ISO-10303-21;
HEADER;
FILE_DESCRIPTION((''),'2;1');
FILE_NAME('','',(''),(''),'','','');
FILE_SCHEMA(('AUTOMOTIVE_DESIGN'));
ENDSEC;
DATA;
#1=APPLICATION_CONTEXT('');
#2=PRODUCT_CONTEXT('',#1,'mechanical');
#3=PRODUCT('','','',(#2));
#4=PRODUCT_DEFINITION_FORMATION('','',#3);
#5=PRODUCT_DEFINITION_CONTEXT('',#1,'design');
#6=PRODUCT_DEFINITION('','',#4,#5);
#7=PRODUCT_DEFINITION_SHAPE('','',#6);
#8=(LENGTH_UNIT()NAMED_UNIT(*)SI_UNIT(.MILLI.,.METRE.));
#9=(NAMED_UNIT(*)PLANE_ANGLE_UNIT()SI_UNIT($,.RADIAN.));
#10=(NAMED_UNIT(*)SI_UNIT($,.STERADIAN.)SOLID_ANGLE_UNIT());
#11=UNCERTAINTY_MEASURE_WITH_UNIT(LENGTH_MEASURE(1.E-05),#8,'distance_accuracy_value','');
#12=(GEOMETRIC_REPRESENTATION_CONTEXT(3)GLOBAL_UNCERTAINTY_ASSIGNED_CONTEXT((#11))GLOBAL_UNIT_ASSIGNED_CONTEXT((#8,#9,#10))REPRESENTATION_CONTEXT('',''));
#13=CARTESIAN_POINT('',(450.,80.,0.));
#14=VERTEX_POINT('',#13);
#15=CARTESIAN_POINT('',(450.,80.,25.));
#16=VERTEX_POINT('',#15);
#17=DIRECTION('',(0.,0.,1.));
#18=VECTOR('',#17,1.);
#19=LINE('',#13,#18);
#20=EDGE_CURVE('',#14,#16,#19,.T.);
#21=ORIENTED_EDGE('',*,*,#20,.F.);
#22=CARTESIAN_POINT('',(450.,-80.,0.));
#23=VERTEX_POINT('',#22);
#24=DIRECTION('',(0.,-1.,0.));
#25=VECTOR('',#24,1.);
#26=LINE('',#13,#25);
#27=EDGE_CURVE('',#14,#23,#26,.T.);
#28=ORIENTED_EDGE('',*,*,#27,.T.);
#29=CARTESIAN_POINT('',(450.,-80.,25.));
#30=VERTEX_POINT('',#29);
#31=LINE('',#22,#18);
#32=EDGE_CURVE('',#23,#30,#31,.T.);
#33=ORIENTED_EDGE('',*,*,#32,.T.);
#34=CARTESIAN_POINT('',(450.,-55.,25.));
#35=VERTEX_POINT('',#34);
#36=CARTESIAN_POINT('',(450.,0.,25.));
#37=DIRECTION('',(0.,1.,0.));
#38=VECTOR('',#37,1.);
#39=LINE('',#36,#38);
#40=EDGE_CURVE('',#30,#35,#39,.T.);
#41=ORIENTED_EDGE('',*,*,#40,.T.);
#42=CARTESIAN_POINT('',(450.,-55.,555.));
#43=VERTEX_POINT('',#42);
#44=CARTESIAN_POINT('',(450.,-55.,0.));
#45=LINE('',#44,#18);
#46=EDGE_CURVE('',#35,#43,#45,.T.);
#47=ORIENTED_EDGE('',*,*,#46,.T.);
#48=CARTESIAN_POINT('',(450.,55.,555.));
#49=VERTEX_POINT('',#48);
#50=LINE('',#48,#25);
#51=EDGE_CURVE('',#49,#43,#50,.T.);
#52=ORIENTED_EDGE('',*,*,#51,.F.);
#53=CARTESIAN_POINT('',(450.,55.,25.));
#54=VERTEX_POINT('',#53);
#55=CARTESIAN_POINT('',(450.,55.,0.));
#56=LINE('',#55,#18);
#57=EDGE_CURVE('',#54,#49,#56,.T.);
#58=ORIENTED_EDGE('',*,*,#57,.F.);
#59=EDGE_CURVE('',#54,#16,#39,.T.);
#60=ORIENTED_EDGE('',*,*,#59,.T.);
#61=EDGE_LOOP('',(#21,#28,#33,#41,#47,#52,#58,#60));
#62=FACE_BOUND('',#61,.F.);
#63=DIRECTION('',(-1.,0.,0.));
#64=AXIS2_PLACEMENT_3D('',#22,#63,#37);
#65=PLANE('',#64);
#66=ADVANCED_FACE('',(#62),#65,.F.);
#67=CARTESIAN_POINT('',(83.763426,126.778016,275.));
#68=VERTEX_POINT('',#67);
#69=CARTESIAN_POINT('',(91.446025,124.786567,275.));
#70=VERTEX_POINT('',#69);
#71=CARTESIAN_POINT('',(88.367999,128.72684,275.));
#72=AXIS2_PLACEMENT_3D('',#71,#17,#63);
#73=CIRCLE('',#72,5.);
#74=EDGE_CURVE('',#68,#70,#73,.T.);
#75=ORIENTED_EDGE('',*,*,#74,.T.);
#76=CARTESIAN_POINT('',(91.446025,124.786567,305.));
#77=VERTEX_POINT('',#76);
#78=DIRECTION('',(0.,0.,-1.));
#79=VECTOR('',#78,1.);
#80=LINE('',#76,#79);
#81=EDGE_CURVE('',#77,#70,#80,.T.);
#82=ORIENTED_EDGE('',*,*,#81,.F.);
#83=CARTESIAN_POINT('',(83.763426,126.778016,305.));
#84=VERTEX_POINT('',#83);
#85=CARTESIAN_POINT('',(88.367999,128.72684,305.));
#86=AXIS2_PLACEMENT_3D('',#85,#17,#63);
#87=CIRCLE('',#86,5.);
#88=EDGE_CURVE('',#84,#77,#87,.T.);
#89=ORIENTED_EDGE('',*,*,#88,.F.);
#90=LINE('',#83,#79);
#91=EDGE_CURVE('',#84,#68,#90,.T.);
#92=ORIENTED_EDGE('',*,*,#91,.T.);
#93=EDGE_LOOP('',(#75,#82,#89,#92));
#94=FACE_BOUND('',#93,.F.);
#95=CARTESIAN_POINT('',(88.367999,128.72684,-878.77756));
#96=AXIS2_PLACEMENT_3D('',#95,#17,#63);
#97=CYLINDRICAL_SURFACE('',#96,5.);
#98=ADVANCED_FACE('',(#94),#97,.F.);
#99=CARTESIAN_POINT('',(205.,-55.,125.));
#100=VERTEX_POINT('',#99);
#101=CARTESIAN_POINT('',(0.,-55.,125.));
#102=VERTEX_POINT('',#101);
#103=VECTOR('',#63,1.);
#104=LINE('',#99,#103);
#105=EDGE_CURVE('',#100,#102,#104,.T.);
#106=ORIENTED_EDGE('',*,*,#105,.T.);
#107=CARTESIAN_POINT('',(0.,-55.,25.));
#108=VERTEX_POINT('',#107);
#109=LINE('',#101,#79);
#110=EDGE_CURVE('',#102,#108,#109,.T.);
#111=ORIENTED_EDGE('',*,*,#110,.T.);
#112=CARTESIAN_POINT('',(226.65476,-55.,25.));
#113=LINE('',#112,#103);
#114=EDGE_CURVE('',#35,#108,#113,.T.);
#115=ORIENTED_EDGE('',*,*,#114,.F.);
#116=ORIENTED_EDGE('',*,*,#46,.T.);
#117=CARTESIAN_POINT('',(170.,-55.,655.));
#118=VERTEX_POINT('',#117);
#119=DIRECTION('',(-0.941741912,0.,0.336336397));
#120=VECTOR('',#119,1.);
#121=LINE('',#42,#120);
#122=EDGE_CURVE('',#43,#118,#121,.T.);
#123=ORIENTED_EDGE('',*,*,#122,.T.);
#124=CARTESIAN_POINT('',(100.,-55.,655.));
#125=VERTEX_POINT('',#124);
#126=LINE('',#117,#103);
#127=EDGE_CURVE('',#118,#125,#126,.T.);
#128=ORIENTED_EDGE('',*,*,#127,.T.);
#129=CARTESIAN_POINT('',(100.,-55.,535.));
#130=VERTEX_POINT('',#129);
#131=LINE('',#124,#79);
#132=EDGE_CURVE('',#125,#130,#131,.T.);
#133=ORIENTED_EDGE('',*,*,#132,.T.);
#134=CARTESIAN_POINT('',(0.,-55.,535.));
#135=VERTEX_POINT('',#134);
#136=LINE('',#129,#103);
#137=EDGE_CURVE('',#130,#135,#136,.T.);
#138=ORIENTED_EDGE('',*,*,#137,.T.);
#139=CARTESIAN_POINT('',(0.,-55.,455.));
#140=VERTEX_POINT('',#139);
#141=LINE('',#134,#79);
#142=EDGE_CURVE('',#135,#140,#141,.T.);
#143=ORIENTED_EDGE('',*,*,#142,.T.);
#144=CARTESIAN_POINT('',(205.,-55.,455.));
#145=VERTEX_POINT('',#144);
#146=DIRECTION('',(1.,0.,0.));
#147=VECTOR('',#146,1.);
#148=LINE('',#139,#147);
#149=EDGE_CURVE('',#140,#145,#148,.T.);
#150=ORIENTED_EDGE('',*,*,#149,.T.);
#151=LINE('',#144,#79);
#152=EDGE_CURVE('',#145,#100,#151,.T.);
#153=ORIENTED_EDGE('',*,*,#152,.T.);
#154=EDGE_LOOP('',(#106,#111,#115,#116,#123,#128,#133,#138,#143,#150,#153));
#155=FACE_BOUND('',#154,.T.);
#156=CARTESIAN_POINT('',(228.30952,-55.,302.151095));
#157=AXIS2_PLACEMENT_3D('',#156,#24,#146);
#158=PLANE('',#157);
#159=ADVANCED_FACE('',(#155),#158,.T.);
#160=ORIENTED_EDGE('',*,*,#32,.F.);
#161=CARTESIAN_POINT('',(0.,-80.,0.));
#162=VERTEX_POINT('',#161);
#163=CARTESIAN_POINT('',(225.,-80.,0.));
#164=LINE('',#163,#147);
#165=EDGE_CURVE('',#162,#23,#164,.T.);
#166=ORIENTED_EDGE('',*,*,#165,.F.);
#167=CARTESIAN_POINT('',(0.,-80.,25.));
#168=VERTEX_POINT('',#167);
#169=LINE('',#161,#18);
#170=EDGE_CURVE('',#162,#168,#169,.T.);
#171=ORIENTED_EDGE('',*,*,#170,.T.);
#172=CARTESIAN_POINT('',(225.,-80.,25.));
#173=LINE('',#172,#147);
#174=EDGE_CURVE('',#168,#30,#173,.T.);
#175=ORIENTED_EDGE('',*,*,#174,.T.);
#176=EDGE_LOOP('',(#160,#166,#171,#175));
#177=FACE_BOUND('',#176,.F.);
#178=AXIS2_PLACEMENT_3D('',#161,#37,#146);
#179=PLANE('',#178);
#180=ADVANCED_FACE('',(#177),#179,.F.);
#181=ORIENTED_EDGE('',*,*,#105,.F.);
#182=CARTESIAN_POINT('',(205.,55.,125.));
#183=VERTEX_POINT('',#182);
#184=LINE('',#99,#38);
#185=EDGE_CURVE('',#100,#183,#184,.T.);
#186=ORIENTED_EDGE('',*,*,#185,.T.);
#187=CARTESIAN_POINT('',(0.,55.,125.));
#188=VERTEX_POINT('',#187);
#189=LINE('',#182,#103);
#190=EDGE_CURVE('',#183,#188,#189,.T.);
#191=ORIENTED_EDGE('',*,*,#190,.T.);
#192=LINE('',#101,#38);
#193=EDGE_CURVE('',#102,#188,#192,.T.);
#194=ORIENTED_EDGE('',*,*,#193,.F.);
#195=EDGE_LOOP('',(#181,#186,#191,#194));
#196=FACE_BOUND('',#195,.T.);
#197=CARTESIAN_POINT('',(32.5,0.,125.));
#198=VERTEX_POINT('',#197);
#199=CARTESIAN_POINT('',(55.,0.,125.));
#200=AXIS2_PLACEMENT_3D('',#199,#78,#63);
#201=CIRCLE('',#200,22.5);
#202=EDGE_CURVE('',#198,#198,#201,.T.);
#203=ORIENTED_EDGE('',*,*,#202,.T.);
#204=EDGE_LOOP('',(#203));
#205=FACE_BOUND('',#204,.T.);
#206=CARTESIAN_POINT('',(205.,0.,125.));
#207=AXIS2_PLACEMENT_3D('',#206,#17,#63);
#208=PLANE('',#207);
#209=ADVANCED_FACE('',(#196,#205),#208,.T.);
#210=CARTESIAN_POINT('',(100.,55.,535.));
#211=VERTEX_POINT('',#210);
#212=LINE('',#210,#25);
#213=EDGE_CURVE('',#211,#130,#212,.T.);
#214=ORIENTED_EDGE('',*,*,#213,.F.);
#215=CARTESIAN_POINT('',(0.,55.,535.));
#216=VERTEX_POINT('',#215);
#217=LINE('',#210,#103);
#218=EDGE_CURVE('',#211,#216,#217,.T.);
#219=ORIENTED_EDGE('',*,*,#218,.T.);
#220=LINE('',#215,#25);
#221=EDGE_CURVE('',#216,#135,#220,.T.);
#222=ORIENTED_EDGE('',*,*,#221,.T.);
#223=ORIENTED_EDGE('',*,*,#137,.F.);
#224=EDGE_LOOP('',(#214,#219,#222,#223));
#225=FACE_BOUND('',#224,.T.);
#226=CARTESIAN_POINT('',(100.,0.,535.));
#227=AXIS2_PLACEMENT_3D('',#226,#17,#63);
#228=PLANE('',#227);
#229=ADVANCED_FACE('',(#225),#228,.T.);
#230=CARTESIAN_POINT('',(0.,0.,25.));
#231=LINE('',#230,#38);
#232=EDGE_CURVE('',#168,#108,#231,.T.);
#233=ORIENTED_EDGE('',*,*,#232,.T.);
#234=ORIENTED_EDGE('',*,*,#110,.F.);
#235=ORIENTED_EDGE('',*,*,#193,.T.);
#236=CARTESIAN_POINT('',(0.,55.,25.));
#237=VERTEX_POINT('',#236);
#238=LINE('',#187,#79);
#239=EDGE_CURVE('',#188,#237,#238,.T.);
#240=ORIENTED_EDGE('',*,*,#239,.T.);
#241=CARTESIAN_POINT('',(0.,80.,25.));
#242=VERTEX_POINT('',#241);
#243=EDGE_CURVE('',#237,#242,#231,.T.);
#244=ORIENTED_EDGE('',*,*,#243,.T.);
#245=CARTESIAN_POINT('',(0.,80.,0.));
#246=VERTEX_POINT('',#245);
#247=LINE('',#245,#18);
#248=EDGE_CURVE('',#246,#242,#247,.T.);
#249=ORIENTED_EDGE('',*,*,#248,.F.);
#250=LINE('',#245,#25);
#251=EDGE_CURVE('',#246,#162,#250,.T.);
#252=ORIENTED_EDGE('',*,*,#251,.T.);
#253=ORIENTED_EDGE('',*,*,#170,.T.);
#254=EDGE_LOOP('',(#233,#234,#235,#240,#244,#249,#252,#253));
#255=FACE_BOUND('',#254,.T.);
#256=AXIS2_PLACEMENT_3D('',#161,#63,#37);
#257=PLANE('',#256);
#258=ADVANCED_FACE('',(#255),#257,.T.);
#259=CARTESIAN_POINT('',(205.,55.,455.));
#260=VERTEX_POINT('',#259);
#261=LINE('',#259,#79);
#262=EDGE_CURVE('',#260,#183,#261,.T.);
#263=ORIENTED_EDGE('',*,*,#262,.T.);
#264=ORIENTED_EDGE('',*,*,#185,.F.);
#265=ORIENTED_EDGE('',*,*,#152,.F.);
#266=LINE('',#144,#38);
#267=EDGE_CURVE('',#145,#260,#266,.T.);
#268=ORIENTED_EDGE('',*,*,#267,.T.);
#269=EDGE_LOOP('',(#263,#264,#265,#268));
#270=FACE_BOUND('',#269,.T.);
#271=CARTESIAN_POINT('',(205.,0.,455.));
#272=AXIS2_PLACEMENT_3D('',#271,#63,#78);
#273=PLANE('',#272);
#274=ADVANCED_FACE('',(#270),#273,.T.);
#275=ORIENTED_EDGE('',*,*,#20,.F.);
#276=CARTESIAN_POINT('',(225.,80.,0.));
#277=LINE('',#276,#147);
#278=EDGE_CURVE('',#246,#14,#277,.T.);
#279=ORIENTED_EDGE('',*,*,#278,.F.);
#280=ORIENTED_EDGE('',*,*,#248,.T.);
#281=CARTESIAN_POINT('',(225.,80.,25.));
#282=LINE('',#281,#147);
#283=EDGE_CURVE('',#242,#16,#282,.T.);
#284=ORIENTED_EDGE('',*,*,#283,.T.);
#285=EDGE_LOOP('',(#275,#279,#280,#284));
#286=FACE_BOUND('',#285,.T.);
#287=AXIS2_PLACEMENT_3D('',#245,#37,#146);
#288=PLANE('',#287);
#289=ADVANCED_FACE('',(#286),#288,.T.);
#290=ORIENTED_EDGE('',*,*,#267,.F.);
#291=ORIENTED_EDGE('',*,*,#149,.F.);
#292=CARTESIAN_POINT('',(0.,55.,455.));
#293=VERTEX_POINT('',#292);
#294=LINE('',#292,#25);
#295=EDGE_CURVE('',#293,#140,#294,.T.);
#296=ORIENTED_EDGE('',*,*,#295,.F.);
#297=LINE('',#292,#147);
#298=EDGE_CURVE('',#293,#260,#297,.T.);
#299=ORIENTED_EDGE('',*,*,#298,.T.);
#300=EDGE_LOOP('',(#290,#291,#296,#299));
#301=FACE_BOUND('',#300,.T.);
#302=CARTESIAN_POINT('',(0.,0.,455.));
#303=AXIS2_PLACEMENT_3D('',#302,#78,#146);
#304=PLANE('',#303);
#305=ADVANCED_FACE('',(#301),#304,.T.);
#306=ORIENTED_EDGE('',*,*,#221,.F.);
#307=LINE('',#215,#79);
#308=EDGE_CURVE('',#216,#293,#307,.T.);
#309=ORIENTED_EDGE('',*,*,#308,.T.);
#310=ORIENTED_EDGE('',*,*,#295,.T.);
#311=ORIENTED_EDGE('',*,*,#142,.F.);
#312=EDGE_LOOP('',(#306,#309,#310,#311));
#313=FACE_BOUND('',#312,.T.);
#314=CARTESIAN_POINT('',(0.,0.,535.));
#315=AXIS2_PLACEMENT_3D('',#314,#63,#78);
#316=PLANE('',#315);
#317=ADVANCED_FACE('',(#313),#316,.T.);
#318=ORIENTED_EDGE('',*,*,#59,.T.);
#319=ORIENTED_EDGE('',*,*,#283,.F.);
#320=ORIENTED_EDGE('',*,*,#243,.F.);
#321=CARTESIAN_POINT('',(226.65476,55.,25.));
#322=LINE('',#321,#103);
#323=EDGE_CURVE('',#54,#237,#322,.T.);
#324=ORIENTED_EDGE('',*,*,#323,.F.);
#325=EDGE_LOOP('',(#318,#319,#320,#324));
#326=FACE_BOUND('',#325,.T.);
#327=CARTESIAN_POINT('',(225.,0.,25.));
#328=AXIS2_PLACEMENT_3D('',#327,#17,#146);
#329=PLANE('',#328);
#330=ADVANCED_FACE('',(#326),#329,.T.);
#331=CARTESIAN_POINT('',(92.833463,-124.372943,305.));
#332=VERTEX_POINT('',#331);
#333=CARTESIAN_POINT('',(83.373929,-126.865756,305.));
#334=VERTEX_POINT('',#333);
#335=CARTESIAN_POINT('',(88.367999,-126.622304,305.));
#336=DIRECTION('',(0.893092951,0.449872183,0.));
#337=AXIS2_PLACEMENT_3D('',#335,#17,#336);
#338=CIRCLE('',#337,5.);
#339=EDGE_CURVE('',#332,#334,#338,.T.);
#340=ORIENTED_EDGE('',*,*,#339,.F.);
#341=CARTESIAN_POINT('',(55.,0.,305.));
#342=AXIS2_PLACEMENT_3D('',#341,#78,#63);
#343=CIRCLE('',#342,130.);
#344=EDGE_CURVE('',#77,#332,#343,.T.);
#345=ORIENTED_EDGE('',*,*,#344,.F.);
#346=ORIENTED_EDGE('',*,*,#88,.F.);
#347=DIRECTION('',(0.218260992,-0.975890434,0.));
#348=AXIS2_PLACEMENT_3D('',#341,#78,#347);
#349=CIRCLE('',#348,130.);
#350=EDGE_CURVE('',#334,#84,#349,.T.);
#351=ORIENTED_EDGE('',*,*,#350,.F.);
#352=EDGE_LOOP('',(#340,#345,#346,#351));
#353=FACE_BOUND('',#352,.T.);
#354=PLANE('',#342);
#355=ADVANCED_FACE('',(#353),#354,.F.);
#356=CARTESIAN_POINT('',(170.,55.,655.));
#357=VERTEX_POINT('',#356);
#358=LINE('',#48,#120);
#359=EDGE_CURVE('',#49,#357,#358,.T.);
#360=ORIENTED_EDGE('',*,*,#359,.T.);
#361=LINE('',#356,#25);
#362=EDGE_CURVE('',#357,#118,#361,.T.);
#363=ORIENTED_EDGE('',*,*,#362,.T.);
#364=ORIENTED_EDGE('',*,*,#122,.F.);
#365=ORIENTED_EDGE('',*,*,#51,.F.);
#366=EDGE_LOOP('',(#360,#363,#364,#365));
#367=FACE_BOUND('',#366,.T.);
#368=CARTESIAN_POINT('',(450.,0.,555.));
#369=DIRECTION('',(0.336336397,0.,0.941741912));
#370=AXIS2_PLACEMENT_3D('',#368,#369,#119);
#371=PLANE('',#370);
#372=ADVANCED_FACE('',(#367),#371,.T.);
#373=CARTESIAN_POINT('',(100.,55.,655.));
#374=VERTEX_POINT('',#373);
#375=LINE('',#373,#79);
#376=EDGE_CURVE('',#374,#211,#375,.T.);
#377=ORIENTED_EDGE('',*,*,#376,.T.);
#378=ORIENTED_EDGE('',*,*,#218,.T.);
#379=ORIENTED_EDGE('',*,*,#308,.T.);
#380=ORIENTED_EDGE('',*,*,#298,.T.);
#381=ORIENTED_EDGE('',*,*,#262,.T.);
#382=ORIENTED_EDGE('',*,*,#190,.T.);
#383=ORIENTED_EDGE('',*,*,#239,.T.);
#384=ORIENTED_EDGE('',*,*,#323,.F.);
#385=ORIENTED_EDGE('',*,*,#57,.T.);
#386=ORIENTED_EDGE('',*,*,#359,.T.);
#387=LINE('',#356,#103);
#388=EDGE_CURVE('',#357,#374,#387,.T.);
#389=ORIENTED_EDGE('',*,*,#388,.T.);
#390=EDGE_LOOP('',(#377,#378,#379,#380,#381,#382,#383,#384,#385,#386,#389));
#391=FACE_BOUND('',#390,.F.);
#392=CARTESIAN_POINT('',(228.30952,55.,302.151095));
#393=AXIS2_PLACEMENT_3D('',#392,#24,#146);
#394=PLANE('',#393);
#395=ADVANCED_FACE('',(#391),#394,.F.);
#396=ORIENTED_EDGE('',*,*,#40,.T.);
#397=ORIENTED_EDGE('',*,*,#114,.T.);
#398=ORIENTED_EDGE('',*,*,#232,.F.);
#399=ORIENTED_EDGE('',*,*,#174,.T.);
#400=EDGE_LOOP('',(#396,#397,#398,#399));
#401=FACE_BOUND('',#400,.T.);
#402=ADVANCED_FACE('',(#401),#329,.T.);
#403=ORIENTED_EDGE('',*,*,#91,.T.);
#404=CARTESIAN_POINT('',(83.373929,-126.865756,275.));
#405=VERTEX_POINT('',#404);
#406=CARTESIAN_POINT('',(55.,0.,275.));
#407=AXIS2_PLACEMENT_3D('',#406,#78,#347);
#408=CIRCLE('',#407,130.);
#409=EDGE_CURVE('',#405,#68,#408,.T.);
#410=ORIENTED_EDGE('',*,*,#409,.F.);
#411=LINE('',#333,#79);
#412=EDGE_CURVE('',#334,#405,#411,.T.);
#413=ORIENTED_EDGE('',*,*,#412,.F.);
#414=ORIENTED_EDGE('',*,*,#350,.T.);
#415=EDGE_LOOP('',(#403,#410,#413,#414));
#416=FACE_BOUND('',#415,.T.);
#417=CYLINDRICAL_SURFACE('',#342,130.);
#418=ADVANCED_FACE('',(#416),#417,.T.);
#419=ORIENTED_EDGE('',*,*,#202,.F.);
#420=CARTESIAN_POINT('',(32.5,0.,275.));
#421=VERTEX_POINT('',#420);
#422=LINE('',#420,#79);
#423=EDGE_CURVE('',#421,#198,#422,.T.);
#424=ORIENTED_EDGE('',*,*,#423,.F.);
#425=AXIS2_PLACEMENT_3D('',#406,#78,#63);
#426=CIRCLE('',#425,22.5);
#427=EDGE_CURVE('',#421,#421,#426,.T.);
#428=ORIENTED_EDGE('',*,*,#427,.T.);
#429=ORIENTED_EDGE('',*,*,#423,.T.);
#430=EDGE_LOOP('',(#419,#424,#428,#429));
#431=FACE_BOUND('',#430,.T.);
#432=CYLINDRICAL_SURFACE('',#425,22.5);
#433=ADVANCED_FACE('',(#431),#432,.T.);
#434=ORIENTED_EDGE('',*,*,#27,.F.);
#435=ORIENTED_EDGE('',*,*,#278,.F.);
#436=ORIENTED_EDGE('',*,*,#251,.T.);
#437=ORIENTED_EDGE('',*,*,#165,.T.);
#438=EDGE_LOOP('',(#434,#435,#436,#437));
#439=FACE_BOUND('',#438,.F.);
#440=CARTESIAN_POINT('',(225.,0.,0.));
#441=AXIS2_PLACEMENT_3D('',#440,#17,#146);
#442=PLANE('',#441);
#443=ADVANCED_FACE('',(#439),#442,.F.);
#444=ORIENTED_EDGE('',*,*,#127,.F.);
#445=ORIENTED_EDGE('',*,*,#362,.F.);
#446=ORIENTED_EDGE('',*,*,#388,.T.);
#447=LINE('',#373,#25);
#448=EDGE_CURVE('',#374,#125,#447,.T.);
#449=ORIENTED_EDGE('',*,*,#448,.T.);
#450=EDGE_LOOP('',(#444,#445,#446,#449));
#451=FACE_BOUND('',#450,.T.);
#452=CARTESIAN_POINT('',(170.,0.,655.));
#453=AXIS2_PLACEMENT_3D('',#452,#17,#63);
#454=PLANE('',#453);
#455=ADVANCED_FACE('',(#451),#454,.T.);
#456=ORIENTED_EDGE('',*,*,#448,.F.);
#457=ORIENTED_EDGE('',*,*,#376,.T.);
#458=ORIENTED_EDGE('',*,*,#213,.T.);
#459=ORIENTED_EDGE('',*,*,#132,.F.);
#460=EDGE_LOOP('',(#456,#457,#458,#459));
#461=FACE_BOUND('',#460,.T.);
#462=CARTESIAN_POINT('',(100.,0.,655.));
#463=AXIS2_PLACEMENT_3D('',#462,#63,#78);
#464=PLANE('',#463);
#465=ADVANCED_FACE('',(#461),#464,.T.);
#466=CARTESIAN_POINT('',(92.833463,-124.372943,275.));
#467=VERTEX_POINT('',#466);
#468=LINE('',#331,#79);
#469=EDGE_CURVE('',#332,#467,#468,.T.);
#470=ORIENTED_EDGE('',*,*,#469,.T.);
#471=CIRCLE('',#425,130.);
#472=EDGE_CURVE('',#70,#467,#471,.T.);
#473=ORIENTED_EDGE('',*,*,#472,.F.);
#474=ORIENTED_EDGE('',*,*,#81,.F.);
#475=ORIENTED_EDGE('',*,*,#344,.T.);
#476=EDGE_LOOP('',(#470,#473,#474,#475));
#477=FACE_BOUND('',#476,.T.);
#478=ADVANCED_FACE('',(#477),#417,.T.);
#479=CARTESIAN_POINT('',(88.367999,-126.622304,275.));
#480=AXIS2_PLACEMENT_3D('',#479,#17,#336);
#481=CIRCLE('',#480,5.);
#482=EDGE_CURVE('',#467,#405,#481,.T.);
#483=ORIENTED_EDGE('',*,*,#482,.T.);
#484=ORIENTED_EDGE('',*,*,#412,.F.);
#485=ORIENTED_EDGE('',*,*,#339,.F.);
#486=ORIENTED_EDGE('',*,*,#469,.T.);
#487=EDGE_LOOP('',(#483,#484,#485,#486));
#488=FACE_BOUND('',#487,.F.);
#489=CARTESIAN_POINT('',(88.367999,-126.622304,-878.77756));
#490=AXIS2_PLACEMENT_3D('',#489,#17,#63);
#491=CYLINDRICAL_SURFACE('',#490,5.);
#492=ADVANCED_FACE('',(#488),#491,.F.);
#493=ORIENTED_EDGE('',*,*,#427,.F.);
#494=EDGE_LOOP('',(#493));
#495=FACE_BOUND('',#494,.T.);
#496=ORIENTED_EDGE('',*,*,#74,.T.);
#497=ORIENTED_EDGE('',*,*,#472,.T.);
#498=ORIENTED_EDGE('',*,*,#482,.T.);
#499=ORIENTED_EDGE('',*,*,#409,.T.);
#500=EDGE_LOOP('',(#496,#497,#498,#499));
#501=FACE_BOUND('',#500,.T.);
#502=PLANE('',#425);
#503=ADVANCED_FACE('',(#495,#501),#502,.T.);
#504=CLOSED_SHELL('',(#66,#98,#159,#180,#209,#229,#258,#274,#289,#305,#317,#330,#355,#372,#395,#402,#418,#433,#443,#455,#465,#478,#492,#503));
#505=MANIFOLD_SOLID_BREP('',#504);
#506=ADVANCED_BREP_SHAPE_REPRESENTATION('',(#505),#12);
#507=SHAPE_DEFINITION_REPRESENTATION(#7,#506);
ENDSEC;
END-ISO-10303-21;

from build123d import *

# Parameters (mm, degrees)
F1_DEPTH = 55
F2_W     = 450
F2_H     = 160
F3_DEPTH = 25
F7_D     = 10


with BuildPart() as f1:
    # F0 (on Front) → F1 (new body, symmetric)
    with BuildSketch(Plane.XZ):
        Polygon((0, 125), (0, 0), (450, 0), (450, 555), (170, 655), (100, 655), (100, 535), (0, 535), (0, 455), (205, 455), (205, 125), align=None)
    extrude(amount=F1_DEPTH, both=True)

    # F2 (on Top) → F3 (join)
    with BuildSketch(Plane.XY):
        with Locations((225, 0)):
            Rectangle(F2_W, F2_H)
    extrude(amount=F3_DEPTH)

    # F4 (on Front) → F5 (revolve)
    with BuildSketch(Plane.XZ):
        Polygon((32.5, 275), (32.5, 125), (55, 125), (55, 305), (-75, 305), (-75, 275), align=None)
    revolve(axis=Axis((55, 0, 215), (0, 0, -1)))

    # F7 (through all)
    with Locations(Plane(origin=(0, 0, 0), x_dir=(1, 0, 0), z_dir=(0, 0, -1))):
        with Locations((88.3679986, 126.6223043203), (602.5738120079, 126.6223043203), (602.5738120079, -128.7268400192), (88.3679986, -128.7268400192)):
            Hole(F7_D / 2)


solid = f1.part
